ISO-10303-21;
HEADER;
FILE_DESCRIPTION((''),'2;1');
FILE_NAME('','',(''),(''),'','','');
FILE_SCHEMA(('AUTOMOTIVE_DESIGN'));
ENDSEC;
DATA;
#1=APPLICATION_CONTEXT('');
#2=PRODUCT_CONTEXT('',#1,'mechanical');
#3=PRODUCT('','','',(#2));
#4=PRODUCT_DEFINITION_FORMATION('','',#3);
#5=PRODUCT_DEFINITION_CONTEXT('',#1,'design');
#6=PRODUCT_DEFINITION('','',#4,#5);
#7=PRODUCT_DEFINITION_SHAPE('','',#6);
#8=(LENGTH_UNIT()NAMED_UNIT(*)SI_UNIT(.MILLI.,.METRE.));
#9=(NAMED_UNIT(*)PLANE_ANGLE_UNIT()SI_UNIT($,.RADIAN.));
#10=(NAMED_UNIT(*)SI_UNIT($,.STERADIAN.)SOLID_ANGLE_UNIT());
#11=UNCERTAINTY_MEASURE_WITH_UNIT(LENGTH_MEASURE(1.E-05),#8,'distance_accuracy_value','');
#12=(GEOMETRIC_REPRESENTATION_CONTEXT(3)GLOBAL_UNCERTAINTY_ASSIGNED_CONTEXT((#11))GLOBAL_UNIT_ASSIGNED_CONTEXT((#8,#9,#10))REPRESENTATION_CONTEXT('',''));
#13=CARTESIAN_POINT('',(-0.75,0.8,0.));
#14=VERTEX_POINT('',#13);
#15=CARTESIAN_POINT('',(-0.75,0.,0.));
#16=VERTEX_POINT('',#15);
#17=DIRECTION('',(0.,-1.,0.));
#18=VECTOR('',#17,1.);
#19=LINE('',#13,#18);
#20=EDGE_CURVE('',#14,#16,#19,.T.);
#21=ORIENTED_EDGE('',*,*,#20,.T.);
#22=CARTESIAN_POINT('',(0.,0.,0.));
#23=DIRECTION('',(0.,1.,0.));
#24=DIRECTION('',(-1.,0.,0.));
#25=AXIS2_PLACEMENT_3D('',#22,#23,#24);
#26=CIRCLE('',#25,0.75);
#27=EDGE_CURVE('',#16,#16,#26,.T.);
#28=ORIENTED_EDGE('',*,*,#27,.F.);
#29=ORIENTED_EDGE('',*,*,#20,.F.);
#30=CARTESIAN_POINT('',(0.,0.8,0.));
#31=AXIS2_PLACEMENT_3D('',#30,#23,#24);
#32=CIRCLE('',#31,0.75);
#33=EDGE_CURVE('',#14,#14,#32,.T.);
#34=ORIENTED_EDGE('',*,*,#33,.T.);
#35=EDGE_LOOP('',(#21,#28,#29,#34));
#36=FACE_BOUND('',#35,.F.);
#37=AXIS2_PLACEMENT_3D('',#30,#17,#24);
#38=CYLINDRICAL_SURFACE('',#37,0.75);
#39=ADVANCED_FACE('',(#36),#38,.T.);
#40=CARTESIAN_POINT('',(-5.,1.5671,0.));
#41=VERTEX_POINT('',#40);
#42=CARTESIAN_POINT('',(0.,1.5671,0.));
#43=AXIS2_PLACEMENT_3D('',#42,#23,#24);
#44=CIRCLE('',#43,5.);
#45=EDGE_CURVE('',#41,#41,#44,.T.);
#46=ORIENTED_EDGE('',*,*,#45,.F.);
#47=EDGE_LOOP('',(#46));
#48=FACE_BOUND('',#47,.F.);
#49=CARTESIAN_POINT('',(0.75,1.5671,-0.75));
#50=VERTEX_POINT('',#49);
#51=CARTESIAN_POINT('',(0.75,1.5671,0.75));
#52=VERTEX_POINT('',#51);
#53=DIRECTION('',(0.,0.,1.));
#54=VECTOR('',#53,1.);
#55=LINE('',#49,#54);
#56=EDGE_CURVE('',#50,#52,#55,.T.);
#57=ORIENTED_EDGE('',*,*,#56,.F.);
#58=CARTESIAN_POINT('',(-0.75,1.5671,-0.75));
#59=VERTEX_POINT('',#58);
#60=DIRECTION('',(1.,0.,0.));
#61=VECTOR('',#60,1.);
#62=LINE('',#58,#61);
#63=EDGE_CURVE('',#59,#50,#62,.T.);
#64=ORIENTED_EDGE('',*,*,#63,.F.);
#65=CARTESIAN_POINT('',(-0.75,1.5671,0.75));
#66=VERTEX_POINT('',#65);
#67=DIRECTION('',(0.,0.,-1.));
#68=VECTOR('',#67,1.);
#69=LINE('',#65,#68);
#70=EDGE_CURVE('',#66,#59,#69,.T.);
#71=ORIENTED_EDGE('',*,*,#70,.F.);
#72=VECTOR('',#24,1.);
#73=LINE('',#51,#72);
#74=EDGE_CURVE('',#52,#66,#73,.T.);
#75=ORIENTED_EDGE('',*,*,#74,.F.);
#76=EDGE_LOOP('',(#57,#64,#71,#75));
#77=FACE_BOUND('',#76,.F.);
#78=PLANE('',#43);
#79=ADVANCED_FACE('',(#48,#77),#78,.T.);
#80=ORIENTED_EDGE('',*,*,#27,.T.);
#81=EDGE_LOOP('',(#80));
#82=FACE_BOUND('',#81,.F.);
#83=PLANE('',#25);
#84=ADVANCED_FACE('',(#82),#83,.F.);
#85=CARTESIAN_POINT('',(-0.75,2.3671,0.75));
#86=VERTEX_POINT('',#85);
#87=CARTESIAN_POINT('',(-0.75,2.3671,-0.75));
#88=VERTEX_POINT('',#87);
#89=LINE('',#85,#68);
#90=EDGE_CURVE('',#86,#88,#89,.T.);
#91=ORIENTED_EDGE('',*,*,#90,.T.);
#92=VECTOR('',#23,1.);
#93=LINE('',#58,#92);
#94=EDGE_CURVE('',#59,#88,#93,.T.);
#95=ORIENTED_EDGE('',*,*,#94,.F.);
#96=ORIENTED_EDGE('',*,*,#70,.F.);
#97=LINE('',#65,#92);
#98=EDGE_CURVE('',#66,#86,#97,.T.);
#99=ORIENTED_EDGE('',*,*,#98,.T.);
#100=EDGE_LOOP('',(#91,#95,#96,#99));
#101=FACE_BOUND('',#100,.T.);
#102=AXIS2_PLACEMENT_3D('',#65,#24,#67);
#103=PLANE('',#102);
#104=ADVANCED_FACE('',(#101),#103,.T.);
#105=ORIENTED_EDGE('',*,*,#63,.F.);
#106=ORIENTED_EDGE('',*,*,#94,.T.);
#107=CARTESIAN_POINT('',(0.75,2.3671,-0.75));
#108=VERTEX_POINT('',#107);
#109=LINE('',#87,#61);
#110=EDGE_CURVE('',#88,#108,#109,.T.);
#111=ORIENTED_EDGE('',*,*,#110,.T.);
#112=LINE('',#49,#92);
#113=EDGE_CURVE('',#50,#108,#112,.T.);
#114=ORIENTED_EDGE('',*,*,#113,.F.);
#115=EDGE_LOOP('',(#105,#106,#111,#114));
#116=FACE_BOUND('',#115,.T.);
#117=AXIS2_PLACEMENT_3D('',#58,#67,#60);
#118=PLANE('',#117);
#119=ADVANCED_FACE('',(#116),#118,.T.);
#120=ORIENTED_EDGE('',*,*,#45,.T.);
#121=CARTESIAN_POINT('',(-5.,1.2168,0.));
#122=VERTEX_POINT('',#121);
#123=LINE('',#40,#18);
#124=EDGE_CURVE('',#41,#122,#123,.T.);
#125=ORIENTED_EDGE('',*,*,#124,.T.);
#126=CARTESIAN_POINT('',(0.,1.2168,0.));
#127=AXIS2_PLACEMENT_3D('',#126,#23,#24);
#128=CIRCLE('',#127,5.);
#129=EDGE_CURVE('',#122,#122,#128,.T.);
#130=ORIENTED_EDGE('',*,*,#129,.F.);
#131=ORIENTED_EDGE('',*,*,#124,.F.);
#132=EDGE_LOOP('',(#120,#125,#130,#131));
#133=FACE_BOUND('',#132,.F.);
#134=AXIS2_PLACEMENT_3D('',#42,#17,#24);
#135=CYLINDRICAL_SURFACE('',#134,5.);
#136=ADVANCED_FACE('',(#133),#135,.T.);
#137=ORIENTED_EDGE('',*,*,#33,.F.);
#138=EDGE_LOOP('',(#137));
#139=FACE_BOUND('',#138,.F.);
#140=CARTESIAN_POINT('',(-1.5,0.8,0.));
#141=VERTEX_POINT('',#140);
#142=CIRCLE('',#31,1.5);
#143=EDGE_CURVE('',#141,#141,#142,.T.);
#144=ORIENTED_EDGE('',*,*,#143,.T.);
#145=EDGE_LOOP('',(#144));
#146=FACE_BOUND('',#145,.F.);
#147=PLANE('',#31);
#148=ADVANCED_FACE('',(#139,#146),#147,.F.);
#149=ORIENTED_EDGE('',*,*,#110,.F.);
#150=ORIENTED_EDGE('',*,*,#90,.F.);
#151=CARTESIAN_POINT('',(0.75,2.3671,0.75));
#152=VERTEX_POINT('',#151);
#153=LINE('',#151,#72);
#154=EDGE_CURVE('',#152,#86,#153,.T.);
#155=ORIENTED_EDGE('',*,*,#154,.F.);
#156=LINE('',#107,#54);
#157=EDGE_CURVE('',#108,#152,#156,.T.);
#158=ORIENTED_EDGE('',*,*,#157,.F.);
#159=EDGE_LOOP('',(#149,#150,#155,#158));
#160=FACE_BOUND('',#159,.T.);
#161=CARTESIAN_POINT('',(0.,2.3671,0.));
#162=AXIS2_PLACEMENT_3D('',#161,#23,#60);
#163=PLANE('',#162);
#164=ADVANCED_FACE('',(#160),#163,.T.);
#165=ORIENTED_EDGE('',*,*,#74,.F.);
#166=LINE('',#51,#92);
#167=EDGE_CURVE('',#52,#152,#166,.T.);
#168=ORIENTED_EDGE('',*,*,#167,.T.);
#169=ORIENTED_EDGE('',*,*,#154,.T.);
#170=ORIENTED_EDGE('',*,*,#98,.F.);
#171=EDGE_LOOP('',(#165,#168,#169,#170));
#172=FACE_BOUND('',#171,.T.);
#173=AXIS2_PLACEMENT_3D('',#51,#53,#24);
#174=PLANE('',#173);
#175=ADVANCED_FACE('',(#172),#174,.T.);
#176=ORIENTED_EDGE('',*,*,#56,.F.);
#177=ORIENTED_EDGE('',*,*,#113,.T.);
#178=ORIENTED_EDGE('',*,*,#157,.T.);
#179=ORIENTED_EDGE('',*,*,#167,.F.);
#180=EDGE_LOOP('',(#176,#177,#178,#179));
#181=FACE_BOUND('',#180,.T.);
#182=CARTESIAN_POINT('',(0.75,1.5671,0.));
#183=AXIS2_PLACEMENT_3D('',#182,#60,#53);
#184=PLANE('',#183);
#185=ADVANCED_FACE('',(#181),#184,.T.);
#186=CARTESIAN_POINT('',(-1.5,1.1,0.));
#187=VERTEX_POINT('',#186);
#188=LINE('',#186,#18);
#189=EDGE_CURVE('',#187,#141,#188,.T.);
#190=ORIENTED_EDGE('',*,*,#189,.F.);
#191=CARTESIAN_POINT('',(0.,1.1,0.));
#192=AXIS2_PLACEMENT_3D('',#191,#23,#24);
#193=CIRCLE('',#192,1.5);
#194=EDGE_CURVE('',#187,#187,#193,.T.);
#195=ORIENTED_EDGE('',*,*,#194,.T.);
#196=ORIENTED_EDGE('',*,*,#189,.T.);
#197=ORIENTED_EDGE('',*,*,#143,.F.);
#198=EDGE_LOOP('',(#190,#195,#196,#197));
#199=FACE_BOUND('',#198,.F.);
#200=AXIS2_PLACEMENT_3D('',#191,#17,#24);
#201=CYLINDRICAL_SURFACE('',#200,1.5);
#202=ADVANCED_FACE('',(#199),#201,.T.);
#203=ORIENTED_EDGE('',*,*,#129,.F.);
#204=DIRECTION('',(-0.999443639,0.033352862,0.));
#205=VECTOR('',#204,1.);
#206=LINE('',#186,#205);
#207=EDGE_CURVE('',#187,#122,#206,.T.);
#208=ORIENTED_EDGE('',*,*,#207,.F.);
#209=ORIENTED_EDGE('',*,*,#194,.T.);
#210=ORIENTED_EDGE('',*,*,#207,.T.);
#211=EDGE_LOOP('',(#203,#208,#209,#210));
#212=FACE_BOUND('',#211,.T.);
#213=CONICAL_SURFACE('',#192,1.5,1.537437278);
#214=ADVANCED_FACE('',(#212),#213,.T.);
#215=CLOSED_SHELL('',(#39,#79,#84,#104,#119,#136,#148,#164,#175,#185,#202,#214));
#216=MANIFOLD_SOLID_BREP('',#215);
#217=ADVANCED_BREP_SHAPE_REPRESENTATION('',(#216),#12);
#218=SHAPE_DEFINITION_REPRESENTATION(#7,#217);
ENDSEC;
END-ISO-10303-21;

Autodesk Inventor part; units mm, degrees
ref_plane "YZ Plane" through (0, 0, 0) normal (1, 0, 0) x (0, 1, 0)
ref_plane "XZ Plane" through (0, 0, 0) normal (0, 1, 0) x (-1, 0, 0)
ref_plane "XY Plane" through (0, 0, 0) normal (0, 0, 1) x (1, 0, 0)
sketch "Boceto1" plane through (0, 0, 0) normal (0, 0, 1) x (1, 0, 0)
  line L0 (0, 1.5671) -> (-5, 1.5671)
  line L1 (-5, 1.5671) -> (-5, 1.2168)
  line L2 (-1.5, 1.1) -> (-5, 1.2168)
  line L3 (-1.5, 1.1) -> (-1.5, 0.8)
  line L4 (-1.5, 0.8) -> (-0.75, 0.8)
  line L5 (-0.75, 0.8) -> (-0.75, 0)
  line L6 (-0.75, 0) -> (0, 0)
  line L7 (0, 0) -> (0, 1.5671)
revolve "Revolución1" add sketch "Boceto1" angle 360 about axis through (0, 0, 0) along (0, 1, 0)
sketch "Boceto2" plane through (0, 1.5671, 0) normal (0, 1, 0) x (1, 0, 0)
  line L0 (0, 0) -> (-0.75, 0)
  circle A0 centre (0, 0) radius 0.75 projected
  line L1 (-0.75, 0) -> (-0.75, 0.75)
  line L2 (-0.75, 0.75) -> (0.75, 0.75)
  line L3 (0.75, 0.75) -> (0.75, -0.75)
  line L4 (0.75, -0.75) -> (-0.75, -0.75)
  line L5 (-0.75, -0.75) -> (-0.75, 0)
  dimension "d1" = 0.75
  dimension "d2" = 0.75
  dimension "d3" = 1.5
  dimension "d4" = 1.5
  dimension "d5" = 1.5
extrude "Extrusión1" add sketch "Boceto2" along normal blind 0.8
properties part number "enlacecuello"
